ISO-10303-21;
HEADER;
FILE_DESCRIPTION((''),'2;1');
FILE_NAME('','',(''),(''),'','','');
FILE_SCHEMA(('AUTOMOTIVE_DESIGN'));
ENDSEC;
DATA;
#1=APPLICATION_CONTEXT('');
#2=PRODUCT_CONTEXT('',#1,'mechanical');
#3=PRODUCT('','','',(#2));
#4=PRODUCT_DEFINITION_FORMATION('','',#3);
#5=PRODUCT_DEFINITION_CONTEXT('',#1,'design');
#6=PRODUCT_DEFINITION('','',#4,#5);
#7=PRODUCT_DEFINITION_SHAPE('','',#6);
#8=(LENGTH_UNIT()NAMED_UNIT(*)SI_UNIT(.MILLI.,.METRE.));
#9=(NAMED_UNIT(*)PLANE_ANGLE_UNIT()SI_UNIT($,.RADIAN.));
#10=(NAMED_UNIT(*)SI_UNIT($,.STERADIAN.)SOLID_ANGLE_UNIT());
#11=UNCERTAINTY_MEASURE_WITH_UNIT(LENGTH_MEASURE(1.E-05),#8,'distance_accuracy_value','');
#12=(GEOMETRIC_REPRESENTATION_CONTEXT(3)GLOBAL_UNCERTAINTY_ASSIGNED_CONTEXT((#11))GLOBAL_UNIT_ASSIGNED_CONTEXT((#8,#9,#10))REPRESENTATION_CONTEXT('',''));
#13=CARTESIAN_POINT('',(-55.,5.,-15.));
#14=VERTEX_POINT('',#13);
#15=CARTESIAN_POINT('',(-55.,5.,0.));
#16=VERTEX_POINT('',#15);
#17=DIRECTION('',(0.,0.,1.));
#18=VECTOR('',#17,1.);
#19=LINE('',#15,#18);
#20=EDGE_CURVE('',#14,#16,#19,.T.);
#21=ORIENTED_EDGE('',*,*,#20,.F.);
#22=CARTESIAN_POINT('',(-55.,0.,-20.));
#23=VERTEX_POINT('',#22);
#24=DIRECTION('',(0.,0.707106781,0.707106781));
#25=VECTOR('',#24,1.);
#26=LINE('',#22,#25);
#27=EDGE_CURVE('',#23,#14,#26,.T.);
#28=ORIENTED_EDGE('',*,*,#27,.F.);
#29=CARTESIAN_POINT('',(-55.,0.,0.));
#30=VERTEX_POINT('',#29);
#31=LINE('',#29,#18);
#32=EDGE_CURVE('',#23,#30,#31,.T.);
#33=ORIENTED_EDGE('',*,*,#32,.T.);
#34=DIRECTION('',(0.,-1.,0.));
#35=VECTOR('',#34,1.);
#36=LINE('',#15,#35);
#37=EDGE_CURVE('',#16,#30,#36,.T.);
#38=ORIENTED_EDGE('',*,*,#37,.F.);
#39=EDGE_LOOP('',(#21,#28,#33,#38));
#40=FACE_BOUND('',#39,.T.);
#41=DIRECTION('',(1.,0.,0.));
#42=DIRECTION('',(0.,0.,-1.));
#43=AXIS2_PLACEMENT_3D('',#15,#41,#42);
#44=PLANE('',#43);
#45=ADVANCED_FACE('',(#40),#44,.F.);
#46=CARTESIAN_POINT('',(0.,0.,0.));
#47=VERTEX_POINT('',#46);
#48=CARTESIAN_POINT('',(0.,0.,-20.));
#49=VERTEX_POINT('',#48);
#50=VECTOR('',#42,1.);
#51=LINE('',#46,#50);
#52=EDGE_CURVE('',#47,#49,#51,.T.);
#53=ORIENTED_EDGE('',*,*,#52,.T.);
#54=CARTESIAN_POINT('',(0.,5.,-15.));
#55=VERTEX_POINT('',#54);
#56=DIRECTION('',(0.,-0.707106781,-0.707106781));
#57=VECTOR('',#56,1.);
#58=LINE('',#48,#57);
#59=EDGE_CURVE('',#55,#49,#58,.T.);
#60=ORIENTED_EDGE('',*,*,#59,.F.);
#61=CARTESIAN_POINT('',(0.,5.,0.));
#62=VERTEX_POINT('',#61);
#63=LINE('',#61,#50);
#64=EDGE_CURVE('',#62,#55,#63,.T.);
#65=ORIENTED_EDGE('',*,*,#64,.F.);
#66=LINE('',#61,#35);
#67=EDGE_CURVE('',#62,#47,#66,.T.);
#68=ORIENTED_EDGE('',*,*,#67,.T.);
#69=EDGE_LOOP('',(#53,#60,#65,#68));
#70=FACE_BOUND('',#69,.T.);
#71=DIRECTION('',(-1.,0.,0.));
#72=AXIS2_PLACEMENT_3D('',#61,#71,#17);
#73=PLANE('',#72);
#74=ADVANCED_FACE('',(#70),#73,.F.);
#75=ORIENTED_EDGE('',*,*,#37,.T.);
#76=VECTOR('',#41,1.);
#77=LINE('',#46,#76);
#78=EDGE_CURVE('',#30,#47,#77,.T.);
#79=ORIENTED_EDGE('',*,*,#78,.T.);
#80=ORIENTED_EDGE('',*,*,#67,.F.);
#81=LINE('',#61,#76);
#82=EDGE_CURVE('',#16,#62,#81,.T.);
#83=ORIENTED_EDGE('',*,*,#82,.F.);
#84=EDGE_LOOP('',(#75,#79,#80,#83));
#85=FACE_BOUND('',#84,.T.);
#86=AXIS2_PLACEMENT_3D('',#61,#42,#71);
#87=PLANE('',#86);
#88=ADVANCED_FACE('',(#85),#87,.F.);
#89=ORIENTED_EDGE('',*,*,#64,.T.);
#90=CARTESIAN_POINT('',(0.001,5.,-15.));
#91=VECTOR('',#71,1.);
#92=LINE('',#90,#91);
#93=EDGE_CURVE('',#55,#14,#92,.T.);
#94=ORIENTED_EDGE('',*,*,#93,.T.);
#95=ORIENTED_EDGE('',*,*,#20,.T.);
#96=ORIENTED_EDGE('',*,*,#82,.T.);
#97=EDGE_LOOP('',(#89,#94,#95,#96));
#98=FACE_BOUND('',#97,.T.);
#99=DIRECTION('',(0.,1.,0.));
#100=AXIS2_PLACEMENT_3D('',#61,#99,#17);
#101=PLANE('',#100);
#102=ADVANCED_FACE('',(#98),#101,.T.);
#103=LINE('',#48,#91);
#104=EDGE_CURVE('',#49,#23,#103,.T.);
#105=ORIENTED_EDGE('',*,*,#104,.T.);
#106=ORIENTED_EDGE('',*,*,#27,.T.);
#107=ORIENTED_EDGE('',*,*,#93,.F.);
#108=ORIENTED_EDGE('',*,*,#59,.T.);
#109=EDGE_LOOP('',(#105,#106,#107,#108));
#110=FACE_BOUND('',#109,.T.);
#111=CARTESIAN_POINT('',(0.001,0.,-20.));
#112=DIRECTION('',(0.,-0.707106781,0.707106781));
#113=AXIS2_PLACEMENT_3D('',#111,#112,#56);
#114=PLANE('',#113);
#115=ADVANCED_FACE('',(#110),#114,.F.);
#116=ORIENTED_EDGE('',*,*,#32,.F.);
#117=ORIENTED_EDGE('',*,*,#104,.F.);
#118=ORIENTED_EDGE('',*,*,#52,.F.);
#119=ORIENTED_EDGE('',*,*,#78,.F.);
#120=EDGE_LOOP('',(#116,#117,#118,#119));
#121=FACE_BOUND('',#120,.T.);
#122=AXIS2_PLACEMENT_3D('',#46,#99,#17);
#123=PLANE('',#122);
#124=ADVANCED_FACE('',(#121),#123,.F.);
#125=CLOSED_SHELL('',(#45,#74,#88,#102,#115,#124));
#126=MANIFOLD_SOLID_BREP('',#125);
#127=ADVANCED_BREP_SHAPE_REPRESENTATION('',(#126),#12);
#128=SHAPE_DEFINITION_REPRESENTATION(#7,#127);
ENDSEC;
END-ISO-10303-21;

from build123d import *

# Parameters (mm, degrees)
SKETCH1_W           = 55
SKETCH1_H           = 20
BOSS_EXTRUDE1_DEPTH = 5
CUT_EXTRUDE3_REACH  = 60.737


with BuildPart() as part:
    # Sketch1 → Boss-Extrude1 (new body)
    with BuildSketch(Plane(origin=(0, 0, 0), x_dir=(1, 0, 0), z_dir=(0, 1, 0))):
        with Locations((-27.5, 10)):
            Rectangle(SKETCH1_W, SKETCH1_H)
    extrude(amount=BOSS_EXTRUDE1_DEPTH)

    # Sketch6 → Cut-Extrude3 (cut, up to next)
    with BuildSketch(Plane.ZY.offset(55), mode=Mode.PRIVATE) as cut_extrude3_sk1:
        Polygon((-20, 0), (-15, 5), (-20, 5), align=None)
    cut_extrude3_tool1 = extrude(cut_extrude3_sk1.sketch, amount=-CUT_EXTRUDE3_REACH, mode=Mode.PRIVATE) & part.part
    add(cut_extrude3_tool1.solids().sort_by_distance((-55, 3.333333, -18.333333))[0], mode=Mode.SUBTRACT)


solid = part.part
